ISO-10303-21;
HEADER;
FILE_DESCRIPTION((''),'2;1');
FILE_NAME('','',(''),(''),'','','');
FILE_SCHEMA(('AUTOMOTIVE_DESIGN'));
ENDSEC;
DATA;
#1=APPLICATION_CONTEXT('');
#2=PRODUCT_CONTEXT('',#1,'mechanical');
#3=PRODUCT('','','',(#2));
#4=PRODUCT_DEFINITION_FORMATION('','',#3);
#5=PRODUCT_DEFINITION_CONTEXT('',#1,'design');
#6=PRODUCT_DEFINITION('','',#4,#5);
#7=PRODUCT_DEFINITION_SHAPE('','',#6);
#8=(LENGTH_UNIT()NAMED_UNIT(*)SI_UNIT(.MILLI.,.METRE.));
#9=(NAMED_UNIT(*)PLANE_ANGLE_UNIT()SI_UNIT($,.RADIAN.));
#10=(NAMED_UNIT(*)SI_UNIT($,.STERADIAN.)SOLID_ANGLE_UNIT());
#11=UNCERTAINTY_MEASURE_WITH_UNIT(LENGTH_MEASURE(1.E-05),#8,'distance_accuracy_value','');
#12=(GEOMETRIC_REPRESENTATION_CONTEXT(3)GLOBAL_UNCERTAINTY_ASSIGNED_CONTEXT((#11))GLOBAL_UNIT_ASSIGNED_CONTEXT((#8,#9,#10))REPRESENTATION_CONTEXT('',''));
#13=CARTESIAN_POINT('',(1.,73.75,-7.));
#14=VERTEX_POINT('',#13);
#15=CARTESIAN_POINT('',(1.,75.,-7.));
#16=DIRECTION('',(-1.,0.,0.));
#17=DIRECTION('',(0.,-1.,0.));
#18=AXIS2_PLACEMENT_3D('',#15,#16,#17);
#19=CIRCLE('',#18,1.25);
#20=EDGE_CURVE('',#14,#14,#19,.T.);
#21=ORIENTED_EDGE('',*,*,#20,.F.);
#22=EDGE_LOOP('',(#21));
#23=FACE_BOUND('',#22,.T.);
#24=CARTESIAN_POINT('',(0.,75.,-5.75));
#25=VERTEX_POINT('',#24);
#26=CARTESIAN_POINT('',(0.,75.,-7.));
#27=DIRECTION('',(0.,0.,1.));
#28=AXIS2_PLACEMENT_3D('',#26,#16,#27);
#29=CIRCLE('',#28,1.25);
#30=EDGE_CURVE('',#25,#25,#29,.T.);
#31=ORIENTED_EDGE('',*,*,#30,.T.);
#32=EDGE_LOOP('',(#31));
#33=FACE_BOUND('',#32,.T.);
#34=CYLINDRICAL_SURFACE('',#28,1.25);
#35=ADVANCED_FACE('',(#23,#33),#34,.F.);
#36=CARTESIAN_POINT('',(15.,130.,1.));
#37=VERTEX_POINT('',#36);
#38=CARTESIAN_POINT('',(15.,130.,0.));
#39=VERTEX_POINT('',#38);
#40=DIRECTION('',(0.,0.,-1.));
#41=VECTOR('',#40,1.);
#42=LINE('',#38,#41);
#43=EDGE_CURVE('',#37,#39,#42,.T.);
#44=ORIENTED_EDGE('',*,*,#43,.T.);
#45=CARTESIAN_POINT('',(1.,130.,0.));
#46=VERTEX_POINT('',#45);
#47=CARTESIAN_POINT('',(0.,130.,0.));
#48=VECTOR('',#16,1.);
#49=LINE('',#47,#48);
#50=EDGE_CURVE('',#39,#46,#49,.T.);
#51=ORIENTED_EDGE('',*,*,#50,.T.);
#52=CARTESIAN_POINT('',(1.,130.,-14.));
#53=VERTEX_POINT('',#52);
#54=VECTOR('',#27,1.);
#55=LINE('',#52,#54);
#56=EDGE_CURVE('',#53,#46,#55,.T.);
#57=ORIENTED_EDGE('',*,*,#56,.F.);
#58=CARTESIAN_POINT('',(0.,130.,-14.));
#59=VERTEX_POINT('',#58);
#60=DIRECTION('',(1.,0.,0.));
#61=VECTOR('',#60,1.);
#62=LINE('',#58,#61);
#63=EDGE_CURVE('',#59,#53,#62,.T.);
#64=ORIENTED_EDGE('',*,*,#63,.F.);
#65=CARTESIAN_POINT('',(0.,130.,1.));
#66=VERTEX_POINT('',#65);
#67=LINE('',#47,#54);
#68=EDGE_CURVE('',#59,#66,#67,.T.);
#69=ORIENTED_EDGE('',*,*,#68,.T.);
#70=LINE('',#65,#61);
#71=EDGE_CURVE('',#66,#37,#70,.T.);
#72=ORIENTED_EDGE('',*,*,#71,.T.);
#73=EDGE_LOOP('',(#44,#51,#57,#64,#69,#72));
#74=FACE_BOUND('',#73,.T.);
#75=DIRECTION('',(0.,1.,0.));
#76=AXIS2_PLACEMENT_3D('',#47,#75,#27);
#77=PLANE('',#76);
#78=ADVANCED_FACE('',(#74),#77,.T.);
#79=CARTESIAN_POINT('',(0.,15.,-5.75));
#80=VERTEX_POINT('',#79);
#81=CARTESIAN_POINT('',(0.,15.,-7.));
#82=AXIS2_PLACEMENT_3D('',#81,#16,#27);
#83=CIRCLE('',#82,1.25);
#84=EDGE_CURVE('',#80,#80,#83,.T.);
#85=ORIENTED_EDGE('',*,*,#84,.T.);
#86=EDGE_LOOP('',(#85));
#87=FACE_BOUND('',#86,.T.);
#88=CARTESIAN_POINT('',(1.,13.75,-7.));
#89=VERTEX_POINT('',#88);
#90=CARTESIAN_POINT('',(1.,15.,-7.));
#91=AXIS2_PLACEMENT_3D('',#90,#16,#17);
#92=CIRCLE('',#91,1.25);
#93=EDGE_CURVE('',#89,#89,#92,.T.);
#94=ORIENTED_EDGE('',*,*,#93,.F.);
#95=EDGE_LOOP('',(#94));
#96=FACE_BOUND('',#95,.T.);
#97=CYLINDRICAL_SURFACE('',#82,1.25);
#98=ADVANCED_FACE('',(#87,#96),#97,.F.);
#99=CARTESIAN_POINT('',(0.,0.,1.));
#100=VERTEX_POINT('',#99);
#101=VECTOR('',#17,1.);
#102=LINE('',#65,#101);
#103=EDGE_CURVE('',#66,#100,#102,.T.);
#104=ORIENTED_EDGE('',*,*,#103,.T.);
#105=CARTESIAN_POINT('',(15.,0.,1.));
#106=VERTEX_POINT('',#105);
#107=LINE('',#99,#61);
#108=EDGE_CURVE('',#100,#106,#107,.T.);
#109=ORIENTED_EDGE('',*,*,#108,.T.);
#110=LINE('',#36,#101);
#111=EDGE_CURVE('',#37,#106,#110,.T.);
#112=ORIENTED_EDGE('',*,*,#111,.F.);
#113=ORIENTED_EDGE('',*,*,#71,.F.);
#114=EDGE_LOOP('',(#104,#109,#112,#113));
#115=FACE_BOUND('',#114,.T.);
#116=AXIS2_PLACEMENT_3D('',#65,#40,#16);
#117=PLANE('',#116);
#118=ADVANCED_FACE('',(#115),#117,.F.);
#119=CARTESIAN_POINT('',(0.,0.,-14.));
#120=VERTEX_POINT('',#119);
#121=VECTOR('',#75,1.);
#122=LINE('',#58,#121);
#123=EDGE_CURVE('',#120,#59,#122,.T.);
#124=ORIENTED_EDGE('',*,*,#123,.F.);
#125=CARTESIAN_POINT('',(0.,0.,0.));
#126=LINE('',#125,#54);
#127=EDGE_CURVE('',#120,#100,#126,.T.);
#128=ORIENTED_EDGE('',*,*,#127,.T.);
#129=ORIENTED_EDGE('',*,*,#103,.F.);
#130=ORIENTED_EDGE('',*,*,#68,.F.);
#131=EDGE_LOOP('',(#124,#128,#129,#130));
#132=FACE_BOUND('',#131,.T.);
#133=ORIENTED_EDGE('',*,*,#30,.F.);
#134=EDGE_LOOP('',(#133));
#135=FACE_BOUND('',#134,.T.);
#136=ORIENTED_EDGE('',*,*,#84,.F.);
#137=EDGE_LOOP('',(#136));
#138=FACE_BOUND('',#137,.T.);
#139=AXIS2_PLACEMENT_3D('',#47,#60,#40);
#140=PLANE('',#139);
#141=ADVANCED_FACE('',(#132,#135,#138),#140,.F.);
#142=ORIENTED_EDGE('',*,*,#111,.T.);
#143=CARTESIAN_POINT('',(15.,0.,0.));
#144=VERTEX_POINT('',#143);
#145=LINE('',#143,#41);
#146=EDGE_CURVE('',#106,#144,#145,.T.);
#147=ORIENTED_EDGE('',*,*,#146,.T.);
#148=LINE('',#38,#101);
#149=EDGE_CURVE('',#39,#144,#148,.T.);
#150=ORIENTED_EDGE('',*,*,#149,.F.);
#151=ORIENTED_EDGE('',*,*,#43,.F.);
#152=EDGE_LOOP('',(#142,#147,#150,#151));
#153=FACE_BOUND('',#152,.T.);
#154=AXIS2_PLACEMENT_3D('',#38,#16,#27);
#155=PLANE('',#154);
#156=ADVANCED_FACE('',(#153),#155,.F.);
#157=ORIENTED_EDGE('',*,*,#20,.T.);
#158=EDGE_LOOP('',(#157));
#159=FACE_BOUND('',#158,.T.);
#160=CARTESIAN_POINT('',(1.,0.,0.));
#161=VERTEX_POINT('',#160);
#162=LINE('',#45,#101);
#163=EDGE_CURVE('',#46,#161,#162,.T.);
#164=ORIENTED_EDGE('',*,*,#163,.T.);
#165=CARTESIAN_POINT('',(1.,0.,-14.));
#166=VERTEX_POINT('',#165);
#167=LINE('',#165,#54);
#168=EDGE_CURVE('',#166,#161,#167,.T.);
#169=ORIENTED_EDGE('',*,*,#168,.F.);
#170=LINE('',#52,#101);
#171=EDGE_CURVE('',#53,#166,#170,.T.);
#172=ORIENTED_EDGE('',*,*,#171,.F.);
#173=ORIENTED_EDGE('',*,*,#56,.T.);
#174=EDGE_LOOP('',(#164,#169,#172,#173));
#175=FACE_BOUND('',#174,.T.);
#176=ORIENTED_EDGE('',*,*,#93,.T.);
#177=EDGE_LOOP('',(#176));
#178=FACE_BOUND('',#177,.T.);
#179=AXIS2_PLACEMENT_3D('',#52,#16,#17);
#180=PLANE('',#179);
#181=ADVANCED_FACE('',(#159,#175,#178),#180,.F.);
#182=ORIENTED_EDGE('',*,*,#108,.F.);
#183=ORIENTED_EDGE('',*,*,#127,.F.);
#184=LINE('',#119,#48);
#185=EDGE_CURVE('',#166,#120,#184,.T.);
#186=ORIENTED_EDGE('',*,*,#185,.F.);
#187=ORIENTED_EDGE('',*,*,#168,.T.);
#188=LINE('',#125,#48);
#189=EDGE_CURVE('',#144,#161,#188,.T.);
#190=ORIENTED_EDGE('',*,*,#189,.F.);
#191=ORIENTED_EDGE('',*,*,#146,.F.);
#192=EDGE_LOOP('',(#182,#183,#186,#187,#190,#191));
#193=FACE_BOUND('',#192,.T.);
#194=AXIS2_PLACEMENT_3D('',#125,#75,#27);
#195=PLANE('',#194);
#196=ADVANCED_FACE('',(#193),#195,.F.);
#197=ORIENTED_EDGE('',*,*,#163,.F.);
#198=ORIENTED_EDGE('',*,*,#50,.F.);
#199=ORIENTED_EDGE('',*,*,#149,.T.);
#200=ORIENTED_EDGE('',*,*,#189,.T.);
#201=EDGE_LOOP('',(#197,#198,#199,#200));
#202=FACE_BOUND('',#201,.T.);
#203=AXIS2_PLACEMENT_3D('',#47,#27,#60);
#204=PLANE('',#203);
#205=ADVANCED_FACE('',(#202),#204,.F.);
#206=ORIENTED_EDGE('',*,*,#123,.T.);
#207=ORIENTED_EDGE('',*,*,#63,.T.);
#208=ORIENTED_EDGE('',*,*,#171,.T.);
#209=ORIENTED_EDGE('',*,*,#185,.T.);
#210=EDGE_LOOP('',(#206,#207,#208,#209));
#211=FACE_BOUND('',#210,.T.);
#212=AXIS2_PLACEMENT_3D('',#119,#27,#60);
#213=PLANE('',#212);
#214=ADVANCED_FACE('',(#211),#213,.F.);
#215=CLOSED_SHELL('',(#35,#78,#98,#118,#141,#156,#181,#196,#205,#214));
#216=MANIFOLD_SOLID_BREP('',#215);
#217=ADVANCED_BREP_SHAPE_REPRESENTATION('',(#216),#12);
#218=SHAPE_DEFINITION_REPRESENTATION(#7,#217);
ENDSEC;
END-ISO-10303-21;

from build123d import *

# Parameters (mm, degrees)
SKETCH_1_W      = 15
SKETCH_1_H      = 1
EXTRUDE_1_DEPTH = 130
SKETCH_3_W      = 1
SKETCH_3_H      = 130
EXTRUDE_2_DEPTH = 14
M3X0_5_1_D      = 2.5


with BuildPart() as part:
    # ｽｹｯﾁ1 → ﾎﾞｽ - 押し出し1 (new body)
    with BuildSketch(Plane(origin=(0, 0, 0), x_dir=(1, 0, 0), z_dir=(0, 1, 0))):
        with Locations((7.5, -0.5)):
            Rectangle(SKETCH_1_W, SKETCH_1_H)
    extrude(amount=EXTRUDE_1_DEPTH)

    # ｽｹｯﾁ3 → ﾎﾞｽ - 押し出し2 (add)
    with BuildSketch(Plane(origin=(0, 0, 0), x_dir=(-1, 0, 0), z_dir=(0, 0, -1))):
        with Locations((-0.5, 65)):
            Rectangle(SKETCH_3_W, SKETCH_3_H)
    extrude(amount=EXTRUDE_2_DEPTH)

    # M3x0.5 ねじ穴1 (through all)
    with Locations(Plane.ZY):
        with Locations((-7, 15), (-7, 75)):
            Hole(M3X0_5_1_D / 2)


solid = part.part
